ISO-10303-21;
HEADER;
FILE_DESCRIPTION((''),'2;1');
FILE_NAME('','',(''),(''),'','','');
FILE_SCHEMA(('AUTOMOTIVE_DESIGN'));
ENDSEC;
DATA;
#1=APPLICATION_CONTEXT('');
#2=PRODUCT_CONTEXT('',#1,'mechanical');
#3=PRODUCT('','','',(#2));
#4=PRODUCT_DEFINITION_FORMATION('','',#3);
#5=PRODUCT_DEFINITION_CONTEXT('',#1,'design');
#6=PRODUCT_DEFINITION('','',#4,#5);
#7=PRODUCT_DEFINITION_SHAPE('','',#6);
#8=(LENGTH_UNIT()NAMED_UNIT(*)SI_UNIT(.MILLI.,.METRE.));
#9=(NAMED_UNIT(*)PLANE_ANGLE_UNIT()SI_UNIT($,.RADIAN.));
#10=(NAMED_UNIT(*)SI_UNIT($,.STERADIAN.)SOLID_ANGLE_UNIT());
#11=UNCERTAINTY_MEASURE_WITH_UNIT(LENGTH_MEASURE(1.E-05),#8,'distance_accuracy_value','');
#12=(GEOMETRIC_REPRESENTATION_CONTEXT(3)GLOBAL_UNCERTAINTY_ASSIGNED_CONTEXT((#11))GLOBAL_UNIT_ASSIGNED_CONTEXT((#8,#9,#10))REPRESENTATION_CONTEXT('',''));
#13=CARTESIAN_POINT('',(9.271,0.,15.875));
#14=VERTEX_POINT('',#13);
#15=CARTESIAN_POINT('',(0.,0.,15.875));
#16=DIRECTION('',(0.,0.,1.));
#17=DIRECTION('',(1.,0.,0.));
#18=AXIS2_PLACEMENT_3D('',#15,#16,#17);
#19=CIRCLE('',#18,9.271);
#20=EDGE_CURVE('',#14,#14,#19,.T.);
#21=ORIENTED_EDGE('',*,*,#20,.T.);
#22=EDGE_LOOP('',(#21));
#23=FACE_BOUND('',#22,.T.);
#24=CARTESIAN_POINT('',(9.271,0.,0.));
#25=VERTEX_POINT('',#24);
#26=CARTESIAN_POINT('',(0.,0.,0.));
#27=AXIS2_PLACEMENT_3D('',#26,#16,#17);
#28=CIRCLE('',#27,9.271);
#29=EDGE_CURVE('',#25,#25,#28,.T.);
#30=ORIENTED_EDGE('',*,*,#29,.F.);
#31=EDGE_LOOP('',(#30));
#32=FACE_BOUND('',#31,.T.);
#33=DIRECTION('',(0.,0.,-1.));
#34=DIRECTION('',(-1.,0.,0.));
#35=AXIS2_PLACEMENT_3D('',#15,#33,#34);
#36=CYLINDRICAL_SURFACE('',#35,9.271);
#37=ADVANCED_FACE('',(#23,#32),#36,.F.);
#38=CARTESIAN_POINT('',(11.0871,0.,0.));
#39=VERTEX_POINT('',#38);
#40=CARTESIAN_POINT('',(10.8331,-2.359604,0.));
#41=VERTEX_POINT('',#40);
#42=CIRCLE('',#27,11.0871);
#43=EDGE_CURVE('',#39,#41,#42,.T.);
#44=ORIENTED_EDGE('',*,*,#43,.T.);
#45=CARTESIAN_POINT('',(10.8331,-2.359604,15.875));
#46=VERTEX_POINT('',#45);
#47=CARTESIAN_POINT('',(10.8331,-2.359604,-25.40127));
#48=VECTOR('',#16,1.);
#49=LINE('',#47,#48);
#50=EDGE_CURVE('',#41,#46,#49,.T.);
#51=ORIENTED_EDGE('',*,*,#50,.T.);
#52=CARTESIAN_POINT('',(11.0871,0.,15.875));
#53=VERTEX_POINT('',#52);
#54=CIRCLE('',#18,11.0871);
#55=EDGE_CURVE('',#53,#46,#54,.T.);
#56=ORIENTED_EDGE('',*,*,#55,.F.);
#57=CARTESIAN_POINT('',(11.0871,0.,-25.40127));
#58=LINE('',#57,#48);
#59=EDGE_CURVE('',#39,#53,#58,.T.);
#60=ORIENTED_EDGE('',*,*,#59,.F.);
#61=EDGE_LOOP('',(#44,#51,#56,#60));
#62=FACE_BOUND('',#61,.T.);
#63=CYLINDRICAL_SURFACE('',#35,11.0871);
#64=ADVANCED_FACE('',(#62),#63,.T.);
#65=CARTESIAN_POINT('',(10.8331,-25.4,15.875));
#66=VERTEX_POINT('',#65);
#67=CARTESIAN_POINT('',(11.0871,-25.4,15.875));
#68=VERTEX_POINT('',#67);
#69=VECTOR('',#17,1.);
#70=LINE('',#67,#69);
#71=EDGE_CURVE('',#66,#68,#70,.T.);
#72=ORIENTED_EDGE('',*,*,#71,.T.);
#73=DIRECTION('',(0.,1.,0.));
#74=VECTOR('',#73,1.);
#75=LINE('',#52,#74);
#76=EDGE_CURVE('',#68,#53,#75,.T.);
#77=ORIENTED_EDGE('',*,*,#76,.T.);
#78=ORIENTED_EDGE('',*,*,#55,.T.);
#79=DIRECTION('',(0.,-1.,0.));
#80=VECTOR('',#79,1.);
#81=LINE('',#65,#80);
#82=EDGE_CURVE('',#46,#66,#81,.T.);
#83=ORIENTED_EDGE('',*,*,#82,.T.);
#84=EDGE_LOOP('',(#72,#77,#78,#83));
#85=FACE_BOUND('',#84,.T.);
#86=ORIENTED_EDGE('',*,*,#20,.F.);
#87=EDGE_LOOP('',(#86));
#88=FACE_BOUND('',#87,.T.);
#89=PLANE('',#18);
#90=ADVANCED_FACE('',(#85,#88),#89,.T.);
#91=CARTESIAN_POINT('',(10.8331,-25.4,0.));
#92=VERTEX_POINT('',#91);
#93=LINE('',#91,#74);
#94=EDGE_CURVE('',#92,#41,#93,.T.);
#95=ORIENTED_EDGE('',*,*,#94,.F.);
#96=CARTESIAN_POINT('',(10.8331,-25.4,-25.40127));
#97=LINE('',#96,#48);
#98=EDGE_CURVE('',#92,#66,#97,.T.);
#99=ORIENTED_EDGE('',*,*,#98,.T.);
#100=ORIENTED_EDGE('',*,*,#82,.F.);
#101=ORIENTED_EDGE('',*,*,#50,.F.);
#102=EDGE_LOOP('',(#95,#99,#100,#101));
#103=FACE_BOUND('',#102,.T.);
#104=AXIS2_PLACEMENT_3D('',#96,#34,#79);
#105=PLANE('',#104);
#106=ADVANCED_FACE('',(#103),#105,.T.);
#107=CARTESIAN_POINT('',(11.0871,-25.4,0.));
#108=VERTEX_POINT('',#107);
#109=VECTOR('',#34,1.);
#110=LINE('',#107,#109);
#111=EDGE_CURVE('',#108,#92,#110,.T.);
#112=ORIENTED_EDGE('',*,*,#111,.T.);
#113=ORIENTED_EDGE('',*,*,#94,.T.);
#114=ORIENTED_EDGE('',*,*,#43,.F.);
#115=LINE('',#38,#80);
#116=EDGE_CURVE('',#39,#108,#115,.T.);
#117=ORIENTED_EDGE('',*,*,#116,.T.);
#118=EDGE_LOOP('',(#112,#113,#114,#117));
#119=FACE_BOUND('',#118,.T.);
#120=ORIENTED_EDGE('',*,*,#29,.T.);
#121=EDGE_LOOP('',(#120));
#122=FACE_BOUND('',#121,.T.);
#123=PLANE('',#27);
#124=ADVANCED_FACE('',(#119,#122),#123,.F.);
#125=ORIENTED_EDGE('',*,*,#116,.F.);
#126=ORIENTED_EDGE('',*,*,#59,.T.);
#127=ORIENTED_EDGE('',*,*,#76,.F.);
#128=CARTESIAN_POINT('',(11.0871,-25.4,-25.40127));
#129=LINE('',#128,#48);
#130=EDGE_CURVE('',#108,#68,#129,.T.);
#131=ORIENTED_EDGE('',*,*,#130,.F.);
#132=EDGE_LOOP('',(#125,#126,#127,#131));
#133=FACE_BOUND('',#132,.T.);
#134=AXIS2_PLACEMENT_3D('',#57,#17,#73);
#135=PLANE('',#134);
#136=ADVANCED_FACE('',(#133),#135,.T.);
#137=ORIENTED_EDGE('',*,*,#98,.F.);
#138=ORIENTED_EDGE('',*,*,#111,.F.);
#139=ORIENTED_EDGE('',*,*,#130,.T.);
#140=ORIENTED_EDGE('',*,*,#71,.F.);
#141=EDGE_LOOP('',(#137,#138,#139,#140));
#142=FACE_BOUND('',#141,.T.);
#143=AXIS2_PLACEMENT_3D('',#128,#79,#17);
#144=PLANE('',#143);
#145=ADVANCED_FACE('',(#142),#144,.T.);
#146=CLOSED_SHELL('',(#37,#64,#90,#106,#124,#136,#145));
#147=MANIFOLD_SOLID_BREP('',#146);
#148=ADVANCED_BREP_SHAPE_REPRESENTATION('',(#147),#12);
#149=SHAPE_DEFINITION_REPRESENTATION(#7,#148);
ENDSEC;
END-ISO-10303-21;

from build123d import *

# Parameters (mm, degrees)
SKETCH1_R           = 11.0871
SKETCH1_R_2         = 9.271
BOSS_EXTRUDE1_DEPTH = 15.875
BOSS_EXTRUDE2_START = -15.875
BOSS_EXTRUDE2_DEPTH = 15.875


with BuildPart() as part:
    # Sketch1 → Boss-Extrude1 (new body)
    with BuildSketch(Plane.XY):
        Circle(SKETCH1_R)
        Circle(SKETCH1_R_2, mode=Mode.SUBTRACT)
    extrude(amount=BOSS_EXTRUDE1_DEPTH)

    # Sketch2 → Boss-Extrude2 (add)
    with BuildSketch(Plane.XY.offset(15.875).offset(BOSS_EXTRUDE2_START)):
        with BuildLine():
            Line((11.0871, 0), (11.0871, -25.4))
            Line((11.0871, -25.4), (10.8331, -25.4))
            Line((10.8331, -25.4), (10.8331, -2.35960395))
            ThreePointArc((10.8331, -2.35960395), (11.023417107, -1.186617756), (11.0871, 0))
        make_face()
    extrude(amount=BOSS_EXTRUDE2_DEPTH)


solid = part.part
